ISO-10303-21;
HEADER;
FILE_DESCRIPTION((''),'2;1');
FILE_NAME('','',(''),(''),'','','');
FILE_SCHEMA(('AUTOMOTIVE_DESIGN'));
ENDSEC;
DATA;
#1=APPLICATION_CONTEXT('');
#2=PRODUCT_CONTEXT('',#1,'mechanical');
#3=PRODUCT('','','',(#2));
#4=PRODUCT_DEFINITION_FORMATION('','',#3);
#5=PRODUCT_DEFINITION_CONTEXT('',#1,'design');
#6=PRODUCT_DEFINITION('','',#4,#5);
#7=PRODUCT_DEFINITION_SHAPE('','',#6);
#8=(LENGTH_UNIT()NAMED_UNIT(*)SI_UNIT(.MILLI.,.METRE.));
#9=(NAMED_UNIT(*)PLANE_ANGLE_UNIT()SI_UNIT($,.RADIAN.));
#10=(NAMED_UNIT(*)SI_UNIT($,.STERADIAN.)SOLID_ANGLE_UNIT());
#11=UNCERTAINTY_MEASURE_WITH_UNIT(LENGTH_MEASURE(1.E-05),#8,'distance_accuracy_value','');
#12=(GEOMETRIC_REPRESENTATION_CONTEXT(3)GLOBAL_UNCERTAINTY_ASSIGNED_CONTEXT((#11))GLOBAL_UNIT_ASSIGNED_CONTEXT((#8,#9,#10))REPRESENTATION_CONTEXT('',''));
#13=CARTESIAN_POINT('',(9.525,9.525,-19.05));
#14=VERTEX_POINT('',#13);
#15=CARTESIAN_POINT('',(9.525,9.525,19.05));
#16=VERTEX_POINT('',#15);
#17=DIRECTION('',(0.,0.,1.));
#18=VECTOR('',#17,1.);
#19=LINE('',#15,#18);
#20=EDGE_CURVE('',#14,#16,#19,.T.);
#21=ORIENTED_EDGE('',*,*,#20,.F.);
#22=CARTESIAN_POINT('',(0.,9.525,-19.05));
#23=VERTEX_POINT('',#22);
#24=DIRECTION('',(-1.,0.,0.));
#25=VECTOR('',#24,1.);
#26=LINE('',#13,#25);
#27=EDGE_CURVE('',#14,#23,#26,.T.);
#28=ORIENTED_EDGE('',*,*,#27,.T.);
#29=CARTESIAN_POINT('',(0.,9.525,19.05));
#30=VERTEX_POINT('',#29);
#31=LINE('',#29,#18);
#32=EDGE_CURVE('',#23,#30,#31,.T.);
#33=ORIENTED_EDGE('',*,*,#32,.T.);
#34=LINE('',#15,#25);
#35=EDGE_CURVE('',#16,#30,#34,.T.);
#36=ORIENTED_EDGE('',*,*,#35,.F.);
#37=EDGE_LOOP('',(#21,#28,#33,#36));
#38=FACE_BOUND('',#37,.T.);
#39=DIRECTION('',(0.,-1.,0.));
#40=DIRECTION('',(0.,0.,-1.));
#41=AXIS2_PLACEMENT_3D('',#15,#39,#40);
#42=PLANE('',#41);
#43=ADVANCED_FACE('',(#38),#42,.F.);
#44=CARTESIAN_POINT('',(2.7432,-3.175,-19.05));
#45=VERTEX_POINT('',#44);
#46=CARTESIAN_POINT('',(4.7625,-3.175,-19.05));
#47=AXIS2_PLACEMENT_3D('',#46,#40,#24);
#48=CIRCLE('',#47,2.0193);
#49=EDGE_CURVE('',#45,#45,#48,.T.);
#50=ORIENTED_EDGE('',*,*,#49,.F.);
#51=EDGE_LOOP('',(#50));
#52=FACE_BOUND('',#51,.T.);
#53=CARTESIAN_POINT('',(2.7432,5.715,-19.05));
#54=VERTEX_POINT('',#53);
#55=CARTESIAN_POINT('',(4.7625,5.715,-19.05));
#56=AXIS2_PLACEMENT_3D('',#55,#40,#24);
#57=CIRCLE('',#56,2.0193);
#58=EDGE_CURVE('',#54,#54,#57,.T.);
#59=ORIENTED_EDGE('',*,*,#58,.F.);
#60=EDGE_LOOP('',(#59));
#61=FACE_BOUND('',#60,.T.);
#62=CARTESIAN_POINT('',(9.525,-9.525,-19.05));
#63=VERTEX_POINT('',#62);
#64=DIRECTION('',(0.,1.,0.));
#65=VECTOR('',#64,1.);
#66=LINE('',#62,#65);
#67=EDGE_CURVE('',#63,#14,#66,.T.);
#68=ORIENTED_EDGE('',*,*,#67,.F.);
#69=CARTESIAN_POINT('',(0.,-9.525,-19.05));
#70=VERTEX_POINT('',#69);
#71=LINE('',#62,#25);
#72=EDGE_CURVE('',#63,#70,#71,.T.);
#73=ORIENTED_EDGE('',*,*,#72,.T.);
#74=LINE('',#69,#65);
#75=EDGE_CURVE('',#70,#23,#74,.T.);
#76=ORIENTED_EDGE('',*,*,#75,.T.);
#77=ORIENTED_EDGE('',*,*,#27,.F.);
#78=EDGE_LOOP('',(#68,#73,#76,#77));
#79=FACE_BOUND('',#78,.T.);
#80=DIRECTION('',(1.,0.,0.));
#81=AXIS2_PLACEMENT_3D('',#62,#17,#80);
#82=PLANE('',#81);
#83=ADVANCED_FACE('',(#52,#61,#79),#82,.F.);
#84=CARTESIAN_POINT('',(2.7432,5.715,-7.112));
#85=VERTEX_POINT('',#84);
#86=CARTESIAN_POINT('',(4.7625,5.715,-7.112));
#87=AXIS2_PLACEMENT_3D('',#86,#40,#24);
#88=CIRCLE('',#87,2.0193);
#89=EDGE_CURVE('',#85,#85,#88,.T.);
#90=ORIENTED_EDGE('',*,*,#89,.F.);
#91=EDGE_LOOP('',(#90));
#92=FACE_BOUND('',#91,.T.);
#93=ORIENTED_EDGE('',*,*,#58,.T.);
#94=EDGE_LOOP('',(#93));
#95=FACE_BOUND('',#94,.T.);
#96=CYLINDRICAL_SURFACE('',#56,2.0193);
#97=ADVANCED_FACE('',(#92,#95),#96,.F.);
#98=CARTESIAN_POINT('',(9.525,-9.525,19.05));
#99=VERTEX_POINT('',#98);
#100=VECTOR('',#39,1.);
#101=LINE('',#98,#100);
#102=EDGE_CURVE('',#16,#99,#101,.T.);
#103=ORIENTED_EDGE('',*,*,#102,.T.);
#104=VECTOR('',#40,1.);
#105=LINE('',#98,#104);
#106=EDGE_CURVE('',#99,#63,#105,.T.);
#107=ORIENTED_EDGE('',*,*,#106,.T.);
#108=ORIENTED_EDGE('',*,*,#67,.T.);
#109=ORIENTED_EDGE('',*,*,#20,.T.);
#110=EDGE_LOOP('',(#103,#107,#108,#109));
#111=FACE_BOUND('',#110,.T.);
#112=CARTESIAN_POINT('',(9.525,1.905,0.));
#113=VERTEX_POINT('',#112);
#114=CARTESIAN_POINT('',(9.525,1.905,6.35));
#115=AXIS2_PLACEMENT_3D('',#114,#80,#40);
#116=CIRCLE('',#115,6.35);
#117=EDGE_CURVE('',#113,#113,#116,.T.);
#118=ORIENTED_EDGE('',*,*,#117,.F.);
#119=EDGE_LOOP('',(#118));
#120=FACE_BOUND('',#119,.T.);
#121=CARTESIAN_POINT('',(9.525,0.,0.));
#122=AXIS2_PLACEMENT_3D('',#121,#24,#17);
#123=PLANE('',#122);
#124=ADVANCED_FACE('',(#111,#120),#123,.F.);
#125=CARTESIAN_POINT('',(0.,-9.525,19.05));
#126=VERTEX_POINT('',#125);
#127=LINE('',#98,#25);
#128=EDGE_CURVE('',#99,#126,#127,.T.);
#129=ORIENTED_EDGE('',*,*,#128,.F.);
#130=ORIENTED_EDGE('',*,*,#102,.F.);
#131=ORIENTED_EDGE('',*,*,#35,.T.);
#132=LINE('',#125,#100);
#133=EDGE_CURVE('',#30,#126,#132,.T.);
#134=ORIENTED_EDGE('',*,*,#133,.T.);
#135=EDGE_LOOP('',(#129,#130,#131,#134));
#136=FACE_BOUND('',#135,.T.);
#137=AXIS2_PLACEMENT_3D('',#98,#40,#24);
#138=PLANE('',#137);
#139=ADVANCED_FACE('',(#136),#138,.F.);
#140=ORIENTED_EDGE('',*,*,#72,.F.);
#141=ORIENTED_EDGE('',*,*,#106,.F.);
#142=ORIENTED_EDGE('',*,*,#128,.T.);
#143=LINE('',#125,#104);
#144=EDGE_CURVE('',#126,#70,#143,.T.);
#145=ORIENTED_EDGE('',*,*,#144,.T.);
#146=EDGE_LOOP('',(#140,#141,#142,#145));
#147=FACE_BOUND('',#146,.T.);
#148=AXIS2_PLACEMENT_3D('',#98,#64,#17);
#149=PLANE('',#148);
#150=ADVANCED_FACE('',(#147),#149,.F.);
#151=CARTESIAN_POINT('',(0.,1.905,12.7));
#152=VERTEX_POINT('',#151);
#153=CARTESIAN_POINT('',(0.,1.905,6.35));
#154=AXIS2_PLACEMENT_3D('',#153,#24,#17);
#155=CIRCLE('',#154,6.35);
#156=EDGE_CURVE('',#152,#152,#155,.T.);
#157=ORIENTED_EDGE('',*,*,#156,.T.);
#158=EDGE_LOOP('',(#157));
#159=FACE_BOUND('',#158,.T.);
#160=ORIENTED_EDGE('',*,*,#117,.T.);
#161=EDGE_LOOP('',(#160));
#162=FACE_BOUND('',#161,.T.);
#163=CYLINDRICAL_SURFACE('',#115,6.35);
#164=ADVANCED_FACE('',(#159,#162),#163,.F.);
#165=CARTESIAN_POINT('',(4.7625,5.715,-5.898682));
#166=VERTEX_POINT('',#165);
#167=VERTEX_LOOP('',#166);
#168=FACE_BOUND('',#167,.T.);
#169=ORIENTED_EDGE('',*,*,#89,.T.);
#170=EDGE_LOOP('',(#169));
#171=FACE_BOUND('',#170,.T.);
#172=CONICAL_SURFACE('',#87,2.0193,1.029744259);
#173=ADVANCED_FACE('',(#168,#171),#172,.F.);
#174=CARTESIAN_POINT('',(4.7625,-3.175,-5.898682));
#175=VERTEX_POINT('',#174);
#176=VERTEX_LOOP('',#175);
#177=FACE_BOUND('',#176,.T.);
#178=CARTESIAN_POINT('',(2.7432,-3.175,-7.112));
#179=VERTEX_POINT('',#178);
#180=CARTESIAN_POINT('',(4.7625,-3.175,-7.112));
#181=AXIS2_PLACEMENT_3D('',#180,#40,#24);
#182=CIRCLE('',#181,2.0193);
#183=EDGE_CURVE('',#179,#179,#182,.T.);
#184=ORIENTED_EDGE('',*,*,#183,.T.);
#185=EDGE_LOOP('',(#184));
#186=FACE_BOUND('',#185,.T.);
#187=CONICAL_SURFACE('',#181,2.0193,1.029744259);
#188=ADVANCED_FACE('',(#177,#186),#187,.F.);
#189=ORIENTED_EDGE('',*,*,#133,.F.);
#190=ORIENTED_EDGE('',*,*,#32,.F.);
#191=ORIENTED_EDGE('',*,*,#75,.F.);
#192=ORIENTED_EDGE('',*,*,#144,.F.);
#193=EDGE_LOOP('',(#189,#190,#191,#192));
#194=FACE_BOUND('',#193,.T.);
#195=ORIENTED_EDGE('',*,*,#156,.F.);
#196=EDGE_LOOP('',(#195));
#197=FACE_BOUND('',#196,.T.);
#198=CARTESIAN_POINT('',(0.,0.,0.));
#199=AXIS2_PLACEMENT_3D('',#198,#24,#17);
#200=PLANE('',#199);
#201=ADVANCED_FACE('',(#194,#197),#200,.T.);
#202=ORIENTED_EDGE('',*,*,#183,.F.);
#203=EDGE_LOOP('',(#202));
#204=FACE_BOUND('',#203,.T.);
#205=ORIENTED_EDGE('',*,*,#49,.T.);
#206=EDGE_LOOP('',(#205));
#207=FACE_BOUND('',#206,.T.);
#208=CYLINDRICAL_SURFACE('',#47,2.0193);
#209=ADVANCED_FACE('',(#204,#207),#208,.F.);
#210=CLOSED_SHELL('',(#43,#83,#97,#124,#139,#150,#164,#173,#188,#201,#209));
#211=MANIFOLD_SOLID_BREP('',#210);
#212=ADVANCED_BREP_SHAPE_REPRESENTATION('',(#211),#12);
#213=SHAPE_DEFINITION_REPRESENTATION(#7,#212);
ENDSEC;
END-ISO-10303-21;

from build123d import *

# Parameters (mm, degrees)
SKETCH1_W                      = 38.1
SKETCH1_H                      = 19.05
BOSS_EXTRUDE1_DEPTH            = 9.525
F_1_2_0_5_DIAMETER_HOLE1_D     = 12.7
F_1_2_0_5_DIAMETER_HOLE1_DEPTH = 70.104
F_1_2_0_5_DIAMETER_HOLE1_TIP   = 3.815464931
F_10_32_TAPPED_HOLE1_D         = 4.0386
F_10_32_TAPPED_HOLE1_DEPTH     = 11.938
F_10_32_TAPPED_HOLE1_TIP       = 1.213317848


with BuildPart() as part:
    # Sketch1 → Boss-Extrude1 (new body)
    with BuildSketch(Plane(origin=(0, 0, 0), x_dir=(0, 0, -1), z_dir=(1, 0, 0))):
        Rectangle(SKETCH1_W, SKETCH1_H)
    extrude(amount=BOSS_EXTRUDE1_DEPTH)

    # 1/2 (0.5) Diameter Hole1
    with Locations(Plane(origin=(9.525, 0, 0), x_dir=(0, 0, -1), z_dir=(1, 0, 0))):
        with Locations((-6.35, 1.905)):
            Hole(F_1_2_0_5_DIAMETER_HOLE1_D / 2, depth=F_1_2_0_5_DIAMETER_HOLE1_DEPTH)
            with Locations((0, 0, -(F_1_2_0_5_DIAMETER_HOLE1_DEPTH + F_1_2_0_5_DIAMETER_HOLE1_TIP / 2))):  # 118° drill point
                Cone(0, F_1_2_0_5_DIAMETER_HOLE1_D / 2, F_1_2_0_5_DIAMETER_HOLE1_TIP, mode=Mode.SUBTRACT)

    # #10-32 Tapped Hole1
    with Locations(Plane(origin=(-1.136463696, 0.51181849, -19.05), x_dir=(-1, 0, 0), z_dir=(0, 0, -1))):
        with Locations((-5.898963696, -3.68681849), (-5.898963696, 5.20318151)):
            Hole(F_10_32_TAPPED_HOLE1_D / 2, depth=F_10_32_TAPPED_HOLE1_DEPTH)
            with Locations((0, 0, -(F_10_32_TAPPED_HOLE1_DEPTH + F_10_32_TAPPED_HOLE1_TIP / 2))):  # 118° drill point
                Cone(0, F_10_32_TAPPED_HOLE1_D / 2, F_10_32_TAPPED_HOLE1_TIP, mode=Mode.SUBTRACT)


solid = part.part
